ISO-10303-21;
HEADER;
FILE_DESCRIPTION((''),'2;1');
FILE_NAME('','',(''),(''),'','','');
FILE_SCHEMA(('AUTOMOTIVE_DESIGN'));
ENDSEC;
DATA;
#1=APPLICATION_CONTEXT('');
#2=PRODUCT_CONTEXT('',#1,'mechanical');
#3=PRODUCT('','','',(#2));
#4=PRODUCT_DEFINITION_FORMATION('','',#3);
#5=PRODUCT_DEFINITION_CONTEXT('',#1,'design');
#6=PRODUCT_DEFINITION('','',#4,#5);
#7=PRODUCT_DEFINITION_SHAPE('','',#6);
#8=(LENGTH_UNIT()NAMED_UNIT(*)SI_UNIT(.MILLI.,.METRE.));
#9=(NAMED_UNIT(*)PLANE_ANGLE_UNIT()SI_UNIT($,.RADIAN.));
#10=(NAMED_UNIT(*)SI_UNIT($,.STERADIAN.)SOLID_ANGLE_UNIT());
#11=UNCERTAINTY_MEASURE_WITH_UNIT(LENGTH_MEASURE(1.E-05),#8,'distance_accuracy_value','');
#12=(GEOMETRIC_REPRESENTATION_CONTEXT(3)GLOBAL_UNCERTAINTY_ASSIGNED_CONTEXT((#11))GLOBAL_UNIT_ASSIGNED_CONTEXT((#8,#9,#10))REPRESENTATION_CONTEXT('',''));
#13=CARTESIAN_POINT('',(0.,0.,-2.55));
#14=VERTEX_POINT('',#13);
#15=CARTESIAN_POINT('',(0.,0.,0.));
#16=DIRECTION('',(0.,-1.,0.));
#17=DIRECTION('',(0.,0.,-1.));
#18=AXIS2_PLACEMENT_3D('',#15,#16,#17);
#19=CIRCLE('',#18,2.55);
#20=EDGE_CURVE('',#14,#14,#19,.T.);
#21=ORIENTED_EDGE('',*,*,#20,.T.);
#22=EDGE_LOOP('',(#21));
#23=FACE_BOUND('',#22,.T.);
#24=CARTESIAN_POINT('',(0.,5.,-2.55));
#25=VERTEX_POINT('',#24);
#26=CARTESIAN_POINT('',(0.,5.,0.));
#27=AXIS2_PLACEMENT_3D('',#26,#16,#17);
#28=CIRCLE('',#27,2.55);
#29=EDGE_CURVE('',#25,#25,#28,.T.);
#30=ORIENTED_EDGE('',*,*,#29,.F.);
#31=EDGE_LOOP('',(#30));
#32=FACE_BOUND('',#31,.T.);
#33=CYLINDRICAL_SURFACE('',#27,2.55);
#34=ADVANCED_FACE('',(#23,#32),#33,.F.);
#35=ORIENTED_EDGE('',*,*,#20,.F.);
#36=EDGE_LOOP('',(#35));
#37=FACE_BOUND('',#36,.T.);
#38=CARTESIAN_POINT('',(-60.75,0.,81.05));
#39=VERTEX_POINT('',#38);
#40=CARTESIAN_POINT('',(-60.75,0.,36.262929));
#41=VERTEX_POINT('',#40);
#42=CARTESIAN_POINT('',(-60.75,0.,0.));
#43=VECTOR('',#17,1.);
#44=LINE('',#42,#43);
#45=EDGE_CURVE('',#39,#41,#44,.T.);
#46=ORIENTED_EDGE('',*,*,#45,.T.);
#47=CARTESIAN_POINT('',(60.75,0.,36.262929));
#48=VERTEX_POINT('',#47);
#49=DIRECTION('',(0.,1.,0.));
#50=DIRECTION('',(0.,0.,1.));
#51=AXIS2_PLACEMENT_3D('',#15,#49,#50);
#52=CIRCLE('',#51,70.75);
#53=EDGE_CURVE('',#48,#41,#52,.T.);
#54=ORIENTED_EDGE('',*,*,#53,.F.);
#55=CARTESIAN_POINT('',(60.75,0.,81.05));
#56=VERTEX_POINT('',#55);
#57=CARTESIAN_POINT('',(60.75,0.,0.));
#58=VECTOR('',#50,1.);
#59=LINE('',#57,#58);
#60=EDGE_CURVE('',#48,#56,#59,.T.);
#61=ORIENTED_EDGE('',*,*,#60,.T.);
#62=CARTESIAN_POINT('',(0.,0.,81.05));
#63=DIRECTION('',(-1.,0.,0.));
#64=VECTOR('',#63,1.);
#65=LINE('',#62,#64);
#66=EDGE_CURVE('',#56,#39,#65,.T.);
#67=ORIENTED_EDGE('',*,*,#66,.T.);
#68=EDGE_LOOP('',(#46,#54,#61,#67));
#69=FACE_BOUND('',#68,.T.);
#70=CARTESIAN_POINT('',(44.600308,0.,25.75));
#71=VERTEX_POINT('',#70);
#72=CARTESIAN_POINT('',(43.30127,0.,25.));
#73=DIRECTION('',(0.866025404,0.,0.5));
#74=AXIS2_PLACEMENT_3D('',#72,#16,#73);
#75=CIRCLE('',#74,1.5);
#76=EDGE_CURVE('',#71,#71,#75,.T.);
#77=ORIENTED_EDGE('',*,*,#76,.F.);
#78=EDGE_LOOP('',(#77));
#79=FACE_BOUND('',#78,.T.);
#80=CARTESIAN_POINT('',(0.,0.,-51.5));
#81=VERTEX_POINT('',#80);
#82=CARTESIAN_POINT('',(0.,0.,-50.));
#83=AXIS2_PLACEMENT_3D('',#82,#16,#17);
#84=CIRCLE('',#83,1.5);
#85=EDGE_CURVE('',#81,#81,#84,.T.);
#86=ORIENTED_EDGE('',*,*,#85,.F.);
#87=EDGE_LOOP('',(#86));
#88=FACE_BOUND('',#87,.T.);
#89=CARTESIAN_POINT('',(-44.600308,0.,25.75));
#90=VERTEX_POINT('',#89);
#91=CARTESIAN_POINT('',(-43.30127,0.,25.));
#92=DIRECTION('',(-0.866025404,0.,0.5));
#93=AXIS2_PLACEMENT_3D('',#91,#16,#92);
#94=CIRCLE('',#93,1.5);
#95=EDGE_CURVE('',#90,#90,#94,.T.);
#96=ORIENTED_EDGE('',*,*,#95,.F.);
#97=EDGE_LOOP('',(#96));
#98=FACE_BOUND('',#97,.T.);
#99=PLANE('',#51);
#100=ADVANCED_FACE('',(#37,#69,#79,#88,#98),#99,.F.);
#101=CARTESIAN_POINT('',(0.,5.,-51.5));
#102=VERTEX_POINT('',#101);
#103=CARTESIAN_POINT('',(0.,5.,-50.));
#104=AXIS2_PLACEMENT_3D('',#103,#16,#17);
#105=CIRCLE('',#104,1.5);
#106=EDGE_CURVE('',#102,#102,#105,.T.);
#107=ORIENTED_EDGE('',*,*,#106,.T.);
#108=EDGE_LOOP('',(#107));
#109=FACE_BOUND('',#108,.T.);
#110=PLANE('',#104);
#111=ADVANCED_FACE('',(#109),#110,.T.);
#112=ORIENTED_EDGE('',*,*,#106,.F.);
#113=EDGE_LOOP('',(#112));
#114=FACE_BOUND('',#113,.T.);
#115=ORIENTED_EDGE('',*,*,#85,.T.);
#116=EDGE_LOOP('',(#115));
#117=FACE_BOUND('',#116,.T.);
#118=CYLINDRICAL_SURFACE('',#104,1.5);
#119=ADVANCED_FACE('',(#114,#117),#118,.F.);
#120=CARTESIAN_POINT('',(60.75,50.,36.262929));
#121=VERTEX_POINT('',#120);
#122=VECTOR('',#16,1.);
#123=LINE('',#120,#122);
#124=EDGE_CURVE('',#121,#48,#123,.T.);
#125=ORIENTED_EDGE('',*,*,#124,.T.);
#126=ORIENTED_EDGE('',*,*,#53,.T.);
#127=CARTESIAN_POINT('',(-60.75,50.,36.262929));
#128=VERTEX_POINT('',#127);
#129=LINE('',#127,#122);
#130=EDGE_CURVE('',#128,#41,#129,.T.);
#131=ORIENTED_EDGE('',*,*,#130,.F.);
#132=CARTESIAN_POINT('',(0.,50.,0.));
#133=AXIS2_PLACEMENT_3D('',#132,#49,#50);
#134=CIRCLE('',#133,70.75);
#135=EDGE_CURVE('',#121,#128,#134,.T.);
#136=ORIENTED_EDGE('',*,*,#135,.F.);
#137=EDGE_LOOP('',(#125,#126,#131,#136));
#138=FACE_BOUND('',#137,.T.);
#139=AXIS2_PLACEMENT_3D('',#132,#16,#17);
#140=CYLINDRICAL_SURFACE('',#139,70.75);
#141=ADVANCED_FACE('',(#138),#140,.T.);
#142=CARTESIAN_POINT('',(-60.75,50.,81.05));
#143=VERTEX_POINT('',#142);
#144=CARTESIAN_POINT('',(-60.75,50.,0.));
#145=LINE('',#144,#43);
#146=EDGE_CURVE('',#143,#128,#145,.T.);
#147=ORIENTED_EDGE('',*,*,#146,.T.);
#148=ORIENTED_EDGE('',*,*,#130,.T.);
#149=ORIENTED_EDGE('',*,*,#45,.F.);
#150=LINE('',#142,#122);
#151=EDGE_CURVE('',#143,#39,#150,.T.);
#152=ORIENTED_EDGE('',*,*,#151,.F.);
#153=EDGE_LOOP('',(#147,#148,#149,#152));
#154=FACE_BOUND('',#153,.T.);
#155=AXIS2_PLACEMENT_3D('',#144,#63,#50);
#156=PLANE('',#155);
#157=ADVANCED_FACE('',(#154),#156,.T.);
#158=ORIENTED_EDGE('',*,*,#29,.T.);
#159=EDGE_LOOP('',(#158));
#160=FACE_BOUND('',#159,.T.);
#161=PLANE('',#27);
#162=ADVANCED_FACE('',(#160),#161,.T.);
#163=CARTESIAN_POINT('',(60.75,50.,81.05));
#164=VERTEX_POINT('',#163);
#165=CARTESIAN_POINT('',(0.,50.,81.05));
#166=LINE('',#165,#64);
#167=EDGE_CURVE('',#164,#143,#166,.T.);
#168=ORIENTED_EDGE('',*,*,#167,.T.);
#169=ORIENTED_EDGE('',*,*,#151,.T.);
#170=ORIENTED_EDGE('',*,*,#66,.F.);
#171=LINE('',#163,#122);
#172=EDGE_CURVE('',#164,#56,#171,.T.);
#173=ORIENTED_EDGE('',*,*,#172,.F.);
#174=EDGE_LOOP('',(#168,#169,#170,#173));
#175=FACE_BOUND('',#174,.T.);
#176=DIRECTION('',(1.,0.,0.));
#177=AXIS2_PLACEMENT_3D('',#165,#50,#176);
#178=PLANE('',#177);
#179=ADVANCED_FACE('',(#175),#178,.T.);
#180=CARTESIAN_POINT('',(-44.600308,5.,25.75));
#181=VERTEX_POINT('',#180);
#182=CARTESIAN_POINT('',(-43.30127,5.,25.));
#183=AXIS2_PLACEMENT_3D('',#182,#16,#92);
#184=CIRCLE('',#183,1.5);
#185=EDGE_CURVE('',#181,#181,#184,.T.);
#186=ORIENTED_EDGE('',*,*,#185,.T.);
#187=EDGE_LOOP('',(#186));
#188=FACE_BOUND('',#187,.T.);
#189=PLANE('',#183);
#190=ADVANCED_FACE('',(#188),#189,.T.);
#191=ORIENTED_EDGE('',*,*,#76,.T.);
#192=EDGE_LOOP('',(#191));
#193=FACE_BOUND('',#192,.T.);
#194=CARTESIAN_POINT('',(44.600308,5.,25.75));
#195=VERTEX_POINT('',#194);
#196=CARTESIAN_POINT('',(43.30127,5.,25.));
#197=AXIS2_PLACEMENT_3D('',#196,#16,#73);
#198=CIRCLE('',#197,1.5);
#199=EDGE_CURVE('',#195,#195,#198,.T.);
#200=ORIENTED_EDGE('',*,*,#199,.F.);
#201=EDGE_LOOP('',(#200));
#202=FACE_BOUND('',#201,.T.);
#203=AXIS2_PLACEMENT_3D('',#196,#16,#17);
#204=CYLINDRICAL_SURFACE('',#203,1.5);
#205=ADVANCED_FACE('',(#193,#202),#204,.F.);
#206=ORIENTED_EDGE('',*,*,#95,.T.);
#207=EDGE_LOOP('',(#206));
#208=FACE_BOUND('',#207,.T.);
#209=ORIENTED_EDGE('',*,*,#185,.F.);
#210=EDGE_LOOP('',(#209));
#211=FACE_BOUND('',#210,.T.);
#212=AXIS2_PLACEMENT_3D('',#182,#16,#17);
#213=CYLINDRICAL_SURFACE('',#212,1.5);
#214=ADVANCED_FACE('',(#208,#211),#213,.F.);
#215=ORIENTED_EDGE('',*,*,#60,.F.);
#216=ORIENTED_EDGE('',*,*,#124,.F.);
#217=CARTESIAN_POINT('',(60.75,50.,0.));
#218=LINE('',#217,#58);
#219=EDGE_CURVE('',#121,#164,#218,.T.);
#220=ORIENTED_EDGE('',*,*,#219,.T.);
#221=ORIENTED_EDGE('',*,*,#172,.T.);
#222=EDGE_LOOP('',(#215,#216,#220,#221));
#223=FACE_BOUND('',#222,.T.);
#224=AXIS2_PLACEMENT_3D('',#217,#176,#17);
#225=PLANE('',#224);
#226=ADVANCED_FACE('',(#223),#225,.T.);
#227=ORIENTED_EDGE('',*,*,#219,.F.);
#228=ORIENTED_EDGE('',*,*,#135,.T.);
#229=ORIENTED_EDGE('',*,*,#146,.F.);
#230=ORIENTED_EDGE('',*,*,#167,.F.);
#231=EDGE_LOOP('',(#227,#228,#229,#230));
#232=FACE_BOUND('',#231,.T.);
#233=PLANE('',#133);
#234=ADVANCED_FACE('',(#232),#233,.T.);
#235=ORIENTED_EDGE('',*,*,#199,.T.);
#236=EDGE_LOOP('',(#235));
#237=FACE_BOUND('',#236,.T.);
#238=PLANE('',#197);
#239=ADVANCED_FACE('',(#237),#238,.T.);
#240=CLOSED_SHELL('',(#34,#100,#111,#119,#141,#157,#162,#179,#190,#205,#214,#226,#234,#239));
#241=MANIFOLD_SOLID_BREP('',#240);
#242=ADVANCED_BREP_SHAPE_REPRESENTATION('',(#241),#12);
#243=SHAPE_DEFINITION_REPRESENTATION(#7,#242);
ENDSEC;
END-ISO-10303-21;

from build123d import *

# Parameters (mm, degrees)
SKETCH1_R           = 70.75
SKETCH1_W           = 121.5
SKETCH1_H           = 44.787071271
BOSS_EXTRUDE1_DEPTH = 50
SKETCH2_R           = 1.5
SKETCH2_R_2         = 2.55
CUT_EXTRUDE1_DEPTH  = 5
CIRPATTERN1_COUNT   = 3


with BuildPart() as part:
    # Sketch1 → Boss-Extrude1 (new body)
    with BuildSketch(Plane(origin=(0, 0, 0), x_dir=(1, 0, 0), z_dir=(0, 1, 0))):
        Circle(SKETCH1_R)
        with Locations((0, -58.656464365)):
            Rectangle(SKETCH1_W, SKETCH1_H)
    extrude(amount=BOSS_EXTRUDE1_DEPTH)

    # Sketch2 → Cut-Extrude1 (cut)
    with BuildSketch(Plane(origin=(0, 0, 0), x_dir=(-1, 0, 0), z_dir=(0, -1, 0))):
        with Locations(Location((0, 50, 0), (0, 0, 90))):
            Circle(SKETCH2_R)
        with Locations(Location((0, 0, 0), (0, 0, 90))):
            Circle(SKETCH2_R_2)
    cut_extrude1 = extrude(amount=-CUT_EXTRUDE1_DEPTH, mode=Mode.SUBTRACT)

    # CirPattern1: Cut-Extrude1 ×3 about axis
    cirpattern1_axis = Axis((0, 0, 0), (0, 1, 0))
    for i in range(1, CIRPATTERN1_COUNT):
        add(cut_extrude1.rotate(cirpattern1_axis, i * 360 / CIRPATTERN1_COUNT), mode=Mode.SUBTRACT)


solid = part.part
